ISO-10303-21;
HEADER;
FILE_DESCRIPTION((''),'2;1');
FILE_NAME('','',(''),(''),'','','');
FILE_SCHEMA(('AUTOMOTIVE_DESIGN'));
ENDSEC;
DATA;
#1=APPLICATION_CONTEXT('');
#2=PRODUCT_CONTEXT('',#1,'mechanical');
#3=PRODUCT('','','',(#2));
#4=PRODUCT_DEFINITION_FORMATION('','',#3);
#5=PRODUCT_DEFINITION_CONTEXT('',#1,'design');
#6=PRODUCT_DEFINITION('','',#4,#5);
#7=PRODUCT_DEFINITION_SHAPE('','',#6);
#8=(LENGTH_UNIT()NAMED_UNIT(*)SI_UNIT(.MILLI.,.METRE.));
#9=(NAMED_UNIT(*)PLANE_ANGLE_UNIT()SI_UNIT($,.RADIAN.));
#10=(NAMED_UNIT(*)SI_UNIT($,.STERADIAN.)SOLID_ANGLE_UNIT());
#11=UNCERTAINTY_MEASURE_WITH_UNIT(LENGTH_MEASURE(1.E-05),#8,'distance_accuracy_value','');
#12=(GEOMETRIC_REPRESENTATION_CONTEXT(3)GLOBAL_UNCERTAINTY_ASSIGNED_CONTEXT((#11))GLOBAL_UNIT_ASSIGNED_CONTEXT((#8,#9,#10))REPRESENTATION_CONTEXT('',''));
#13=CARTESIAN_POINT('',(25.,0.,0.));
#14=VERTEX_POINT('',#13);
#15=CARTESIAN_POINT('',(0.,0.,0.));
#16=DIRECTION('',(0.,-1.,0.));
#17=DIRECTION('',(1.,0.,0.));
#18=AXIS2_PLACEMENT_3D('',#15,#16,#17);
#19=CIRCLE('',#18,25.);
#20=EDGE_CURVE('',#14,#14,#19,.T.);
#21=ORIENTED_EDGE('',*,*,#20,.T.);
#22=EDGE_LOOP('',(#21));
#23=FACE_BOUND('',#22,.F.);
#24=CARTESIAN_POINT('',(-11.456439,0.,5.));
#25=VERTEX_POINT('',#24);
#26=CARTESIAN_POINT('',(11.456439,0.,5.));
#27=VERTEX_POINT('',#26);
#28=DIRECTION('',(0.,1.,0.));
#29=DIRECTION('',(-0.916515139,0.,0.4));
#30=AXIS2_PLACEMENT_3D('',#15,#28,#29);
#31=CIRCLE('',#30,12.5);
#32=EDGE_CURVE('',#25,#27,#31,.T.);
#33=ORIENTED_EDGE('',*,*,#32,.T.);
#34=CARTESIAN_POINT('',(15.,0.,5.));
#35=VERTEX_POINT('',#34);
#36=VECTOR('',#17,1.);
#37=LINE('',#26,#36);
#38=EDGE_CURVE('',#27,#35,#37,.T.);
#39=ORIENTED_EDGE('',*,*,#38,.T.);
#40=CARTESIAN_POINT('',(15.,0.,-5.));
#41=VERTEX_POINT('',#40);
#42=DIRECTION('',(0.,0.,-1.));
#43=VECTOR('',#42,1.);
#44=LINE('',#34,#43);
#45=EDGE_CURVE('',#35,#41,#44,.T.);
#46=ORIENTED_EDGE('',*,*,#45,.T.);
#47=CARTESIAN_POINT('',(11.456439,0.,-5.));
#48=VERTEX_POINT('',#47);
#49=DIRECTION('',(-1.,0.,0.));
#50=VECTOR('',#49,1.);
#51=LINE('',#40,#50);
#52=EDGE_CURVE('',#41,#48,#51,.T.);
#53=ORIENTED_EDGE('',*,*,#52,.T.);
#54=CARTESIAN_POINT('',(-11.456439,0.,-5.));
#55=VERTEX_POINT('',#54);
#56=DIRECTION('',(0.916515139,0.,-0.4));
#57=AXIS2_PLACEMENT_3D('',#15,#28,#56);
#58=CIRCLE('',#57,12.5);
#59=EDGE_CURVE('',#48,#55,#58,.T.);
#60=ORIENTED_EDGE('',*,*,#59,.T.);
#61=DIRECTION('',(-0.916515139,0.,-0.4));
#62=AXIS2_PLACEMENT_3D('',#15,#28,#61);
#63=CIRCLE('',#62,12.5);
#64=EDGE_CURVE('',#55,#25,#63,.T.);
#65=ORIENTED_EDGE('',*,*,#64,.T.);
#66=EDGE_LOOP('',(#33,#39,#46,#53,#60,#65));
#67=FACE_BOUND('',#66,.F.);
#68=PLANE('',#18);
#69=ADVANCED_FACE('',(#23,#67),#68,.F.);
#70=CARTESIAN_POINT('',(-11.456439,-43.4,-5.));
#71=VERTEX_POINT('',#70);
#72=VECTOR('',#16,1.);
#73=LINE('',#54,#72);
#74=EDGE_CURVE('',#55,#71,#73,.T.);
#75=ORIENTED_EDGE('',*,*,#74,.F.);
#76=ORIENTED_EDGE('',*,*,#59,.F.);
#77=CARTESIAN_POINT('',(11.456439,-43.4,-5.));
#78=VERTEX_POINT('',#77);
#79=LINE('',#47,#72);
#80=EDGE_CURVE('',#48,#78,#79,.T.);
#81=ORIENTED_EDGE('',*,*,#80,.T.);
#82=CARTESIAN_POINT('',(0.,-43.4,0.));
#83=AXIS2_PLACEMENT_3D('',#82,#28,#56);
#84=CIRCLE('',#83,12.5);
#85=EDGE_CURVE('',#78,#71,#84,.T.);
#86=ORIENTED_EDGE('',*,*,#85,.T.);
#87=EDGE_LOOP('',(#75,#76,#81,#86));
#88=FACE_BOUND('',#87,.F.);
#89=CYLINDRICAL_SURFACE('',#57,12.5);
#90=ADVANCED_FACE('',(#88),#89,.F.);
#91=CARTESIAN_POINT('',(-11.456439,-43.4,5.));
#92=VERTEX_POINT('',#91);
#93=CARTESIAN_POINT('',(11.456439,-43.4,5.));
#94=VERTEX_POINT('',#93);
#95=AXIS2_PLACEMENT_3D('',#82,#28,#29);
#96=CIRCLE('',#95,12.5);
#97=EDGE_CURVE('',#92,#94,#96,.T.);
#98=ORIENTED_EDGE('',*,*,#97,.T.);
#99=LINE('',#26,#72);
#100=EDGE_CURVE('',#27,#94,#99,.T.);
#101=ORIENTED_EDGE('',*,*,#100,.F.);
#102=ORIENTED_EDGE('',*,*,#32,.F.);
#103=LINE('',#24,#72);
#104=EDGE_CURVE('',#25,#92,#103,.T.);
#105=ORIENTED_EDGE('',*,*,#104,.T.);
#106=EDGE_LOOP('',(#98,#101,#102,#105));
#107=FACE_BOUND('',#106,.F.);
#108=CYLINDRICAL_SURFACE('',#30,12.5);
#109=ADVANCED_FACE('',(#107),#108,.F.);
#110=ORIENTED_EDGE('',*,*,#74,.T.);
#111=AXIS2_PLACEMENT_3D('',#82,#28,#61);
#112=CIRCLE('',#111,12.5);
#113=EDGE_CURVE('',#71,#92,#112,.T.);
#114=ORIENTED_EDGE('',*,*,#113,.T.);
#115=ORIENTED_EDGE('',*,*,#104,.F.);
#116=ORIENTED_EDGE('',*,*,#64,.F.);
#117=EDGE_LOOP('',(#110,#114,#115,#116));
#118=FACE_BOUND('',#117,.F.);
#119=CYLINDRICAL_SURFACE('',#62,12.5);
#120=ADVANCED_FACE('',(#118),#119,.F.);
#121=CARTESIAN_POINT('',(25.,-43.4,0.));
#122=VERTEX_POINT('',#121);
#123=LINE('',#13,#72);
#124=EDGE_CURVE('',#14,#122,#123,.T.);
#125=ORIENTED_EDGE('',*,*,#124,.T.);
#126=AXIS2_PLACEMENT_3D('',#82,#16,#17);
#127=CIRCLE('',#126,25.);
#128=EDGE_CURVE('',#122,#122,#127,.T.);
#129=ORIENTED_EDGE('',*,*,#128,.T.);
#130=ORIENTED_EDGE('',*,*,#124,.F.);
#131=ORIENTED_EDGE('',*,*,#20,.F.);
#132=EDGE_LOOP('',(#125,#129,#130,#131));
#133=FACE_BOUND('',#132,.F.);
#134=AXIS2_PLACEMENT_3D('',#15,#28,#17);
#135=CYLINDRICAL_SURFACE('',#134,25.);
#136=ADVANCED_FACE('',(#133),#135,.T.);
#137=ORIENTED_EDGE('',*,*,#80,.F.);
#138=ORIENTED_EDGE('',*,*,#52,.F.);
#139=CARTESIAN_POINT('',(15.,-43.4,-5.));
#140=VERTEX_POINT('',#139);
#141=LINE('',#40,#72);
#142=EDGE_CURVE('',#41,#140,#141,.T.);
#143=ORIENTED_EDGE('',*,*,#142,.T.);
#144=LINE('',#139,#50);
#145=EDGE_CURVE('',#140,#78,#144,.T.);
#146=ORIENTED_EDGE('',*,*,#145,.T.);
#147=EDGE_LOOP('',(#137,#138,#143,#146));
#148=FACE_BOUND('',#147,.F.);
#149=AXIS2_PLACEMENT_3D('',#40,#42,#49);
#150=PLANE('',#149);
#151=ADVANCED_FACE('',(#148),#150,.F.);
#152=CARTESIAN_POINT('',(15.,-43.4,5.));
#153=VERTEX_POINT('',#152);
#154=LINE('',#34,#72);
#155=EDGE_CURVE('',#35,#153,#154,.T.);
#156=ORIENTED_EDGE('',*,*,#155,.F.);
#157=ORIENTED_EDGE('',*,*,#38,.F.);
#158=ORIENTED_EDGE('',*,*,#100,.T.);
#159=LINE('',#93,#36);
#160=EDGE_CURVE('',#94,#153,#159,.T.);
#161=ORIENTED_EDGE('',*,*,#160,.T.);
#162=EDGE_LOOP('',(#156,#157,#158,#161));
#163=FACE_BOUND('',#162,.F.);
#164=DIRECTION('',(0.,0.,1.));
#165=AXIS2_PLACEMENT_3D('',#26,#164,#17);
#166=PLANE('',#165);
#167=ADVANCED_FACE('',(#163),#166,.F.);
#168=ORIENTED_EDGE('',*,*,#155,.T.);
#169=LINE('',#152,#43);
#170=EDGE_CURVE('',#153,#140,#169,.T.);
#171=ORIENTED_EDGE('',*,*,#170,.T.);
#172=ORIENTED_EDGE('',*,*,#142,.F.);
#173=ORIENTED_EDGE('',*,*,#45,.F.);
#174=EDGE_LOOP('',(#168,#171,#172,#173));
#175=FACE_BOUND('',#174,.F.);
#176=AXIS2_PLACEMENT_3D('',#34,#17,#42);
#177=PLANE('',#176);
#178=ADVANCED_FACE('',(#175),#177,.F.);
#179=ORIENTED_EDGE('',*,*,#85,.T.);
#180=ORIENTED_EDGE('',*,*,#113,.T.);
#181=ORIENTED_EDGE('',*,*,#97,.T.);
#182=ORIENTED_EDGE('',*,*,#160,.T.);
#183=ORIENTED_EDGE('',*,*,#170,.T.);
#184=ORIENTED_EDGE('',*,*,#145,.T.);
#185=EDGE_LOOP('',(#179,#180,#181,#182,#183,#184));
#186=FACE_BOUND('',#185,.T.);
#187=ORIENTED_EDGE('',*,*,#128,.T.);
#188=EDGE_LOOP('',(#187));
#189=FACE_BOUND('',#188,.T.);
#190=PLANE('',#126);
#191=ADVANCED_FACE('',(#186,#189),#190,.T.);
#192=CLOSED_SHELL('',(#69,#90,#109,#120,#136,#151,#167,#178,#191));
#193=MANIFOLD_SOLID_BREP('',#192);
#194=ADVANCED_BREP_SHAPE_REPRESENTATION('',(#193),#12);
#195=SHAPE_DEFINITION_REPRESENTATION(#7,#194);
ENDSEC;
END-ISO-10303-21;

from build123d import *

# Parameters (mm, degrees)
F0_R     = 25
F1_DEPTH = 43.4


with BuildPart() as f1:
    # F0 (on Front) → F1 (new body)
    with BuildSketch(Plane.XZ):
        Circle(F0_R)
        with BuildLine():
            ThreePointArc((-11.4564392374, 5), (0, 12.5), (11.4564392374, 5))
            Line((11.4564392374, 5), (15, 5))
            Line((15, 5), (15, -5))
            Line((15, -5), (11.4564392374, -5))
            ThreePointArc((11.4564392374, -5), (0, -12.5), (-11.4564392374, -5))
            Line((-11.4564392374, -5), (-15, -5))
            Line((-15, -5), (-15, 5))
            Line((-15, 5), (-11.4564392374, 5))
        make_face(mode=Mode.SUBTRACT)
        with BuildLine():
            ThreePointArc((-11.4564392374, -5), (-12.5, 0), (-11.4564392374, 5))
            Line((-11.4564392374, 5), (-15, 5))
            Line((-15, 5), (-15, -5))
            Line((-15, -5), (-11.4564392374, -5))
        make_face()
    extrude(amount=F1_DEPTH)


solid = f1.part
